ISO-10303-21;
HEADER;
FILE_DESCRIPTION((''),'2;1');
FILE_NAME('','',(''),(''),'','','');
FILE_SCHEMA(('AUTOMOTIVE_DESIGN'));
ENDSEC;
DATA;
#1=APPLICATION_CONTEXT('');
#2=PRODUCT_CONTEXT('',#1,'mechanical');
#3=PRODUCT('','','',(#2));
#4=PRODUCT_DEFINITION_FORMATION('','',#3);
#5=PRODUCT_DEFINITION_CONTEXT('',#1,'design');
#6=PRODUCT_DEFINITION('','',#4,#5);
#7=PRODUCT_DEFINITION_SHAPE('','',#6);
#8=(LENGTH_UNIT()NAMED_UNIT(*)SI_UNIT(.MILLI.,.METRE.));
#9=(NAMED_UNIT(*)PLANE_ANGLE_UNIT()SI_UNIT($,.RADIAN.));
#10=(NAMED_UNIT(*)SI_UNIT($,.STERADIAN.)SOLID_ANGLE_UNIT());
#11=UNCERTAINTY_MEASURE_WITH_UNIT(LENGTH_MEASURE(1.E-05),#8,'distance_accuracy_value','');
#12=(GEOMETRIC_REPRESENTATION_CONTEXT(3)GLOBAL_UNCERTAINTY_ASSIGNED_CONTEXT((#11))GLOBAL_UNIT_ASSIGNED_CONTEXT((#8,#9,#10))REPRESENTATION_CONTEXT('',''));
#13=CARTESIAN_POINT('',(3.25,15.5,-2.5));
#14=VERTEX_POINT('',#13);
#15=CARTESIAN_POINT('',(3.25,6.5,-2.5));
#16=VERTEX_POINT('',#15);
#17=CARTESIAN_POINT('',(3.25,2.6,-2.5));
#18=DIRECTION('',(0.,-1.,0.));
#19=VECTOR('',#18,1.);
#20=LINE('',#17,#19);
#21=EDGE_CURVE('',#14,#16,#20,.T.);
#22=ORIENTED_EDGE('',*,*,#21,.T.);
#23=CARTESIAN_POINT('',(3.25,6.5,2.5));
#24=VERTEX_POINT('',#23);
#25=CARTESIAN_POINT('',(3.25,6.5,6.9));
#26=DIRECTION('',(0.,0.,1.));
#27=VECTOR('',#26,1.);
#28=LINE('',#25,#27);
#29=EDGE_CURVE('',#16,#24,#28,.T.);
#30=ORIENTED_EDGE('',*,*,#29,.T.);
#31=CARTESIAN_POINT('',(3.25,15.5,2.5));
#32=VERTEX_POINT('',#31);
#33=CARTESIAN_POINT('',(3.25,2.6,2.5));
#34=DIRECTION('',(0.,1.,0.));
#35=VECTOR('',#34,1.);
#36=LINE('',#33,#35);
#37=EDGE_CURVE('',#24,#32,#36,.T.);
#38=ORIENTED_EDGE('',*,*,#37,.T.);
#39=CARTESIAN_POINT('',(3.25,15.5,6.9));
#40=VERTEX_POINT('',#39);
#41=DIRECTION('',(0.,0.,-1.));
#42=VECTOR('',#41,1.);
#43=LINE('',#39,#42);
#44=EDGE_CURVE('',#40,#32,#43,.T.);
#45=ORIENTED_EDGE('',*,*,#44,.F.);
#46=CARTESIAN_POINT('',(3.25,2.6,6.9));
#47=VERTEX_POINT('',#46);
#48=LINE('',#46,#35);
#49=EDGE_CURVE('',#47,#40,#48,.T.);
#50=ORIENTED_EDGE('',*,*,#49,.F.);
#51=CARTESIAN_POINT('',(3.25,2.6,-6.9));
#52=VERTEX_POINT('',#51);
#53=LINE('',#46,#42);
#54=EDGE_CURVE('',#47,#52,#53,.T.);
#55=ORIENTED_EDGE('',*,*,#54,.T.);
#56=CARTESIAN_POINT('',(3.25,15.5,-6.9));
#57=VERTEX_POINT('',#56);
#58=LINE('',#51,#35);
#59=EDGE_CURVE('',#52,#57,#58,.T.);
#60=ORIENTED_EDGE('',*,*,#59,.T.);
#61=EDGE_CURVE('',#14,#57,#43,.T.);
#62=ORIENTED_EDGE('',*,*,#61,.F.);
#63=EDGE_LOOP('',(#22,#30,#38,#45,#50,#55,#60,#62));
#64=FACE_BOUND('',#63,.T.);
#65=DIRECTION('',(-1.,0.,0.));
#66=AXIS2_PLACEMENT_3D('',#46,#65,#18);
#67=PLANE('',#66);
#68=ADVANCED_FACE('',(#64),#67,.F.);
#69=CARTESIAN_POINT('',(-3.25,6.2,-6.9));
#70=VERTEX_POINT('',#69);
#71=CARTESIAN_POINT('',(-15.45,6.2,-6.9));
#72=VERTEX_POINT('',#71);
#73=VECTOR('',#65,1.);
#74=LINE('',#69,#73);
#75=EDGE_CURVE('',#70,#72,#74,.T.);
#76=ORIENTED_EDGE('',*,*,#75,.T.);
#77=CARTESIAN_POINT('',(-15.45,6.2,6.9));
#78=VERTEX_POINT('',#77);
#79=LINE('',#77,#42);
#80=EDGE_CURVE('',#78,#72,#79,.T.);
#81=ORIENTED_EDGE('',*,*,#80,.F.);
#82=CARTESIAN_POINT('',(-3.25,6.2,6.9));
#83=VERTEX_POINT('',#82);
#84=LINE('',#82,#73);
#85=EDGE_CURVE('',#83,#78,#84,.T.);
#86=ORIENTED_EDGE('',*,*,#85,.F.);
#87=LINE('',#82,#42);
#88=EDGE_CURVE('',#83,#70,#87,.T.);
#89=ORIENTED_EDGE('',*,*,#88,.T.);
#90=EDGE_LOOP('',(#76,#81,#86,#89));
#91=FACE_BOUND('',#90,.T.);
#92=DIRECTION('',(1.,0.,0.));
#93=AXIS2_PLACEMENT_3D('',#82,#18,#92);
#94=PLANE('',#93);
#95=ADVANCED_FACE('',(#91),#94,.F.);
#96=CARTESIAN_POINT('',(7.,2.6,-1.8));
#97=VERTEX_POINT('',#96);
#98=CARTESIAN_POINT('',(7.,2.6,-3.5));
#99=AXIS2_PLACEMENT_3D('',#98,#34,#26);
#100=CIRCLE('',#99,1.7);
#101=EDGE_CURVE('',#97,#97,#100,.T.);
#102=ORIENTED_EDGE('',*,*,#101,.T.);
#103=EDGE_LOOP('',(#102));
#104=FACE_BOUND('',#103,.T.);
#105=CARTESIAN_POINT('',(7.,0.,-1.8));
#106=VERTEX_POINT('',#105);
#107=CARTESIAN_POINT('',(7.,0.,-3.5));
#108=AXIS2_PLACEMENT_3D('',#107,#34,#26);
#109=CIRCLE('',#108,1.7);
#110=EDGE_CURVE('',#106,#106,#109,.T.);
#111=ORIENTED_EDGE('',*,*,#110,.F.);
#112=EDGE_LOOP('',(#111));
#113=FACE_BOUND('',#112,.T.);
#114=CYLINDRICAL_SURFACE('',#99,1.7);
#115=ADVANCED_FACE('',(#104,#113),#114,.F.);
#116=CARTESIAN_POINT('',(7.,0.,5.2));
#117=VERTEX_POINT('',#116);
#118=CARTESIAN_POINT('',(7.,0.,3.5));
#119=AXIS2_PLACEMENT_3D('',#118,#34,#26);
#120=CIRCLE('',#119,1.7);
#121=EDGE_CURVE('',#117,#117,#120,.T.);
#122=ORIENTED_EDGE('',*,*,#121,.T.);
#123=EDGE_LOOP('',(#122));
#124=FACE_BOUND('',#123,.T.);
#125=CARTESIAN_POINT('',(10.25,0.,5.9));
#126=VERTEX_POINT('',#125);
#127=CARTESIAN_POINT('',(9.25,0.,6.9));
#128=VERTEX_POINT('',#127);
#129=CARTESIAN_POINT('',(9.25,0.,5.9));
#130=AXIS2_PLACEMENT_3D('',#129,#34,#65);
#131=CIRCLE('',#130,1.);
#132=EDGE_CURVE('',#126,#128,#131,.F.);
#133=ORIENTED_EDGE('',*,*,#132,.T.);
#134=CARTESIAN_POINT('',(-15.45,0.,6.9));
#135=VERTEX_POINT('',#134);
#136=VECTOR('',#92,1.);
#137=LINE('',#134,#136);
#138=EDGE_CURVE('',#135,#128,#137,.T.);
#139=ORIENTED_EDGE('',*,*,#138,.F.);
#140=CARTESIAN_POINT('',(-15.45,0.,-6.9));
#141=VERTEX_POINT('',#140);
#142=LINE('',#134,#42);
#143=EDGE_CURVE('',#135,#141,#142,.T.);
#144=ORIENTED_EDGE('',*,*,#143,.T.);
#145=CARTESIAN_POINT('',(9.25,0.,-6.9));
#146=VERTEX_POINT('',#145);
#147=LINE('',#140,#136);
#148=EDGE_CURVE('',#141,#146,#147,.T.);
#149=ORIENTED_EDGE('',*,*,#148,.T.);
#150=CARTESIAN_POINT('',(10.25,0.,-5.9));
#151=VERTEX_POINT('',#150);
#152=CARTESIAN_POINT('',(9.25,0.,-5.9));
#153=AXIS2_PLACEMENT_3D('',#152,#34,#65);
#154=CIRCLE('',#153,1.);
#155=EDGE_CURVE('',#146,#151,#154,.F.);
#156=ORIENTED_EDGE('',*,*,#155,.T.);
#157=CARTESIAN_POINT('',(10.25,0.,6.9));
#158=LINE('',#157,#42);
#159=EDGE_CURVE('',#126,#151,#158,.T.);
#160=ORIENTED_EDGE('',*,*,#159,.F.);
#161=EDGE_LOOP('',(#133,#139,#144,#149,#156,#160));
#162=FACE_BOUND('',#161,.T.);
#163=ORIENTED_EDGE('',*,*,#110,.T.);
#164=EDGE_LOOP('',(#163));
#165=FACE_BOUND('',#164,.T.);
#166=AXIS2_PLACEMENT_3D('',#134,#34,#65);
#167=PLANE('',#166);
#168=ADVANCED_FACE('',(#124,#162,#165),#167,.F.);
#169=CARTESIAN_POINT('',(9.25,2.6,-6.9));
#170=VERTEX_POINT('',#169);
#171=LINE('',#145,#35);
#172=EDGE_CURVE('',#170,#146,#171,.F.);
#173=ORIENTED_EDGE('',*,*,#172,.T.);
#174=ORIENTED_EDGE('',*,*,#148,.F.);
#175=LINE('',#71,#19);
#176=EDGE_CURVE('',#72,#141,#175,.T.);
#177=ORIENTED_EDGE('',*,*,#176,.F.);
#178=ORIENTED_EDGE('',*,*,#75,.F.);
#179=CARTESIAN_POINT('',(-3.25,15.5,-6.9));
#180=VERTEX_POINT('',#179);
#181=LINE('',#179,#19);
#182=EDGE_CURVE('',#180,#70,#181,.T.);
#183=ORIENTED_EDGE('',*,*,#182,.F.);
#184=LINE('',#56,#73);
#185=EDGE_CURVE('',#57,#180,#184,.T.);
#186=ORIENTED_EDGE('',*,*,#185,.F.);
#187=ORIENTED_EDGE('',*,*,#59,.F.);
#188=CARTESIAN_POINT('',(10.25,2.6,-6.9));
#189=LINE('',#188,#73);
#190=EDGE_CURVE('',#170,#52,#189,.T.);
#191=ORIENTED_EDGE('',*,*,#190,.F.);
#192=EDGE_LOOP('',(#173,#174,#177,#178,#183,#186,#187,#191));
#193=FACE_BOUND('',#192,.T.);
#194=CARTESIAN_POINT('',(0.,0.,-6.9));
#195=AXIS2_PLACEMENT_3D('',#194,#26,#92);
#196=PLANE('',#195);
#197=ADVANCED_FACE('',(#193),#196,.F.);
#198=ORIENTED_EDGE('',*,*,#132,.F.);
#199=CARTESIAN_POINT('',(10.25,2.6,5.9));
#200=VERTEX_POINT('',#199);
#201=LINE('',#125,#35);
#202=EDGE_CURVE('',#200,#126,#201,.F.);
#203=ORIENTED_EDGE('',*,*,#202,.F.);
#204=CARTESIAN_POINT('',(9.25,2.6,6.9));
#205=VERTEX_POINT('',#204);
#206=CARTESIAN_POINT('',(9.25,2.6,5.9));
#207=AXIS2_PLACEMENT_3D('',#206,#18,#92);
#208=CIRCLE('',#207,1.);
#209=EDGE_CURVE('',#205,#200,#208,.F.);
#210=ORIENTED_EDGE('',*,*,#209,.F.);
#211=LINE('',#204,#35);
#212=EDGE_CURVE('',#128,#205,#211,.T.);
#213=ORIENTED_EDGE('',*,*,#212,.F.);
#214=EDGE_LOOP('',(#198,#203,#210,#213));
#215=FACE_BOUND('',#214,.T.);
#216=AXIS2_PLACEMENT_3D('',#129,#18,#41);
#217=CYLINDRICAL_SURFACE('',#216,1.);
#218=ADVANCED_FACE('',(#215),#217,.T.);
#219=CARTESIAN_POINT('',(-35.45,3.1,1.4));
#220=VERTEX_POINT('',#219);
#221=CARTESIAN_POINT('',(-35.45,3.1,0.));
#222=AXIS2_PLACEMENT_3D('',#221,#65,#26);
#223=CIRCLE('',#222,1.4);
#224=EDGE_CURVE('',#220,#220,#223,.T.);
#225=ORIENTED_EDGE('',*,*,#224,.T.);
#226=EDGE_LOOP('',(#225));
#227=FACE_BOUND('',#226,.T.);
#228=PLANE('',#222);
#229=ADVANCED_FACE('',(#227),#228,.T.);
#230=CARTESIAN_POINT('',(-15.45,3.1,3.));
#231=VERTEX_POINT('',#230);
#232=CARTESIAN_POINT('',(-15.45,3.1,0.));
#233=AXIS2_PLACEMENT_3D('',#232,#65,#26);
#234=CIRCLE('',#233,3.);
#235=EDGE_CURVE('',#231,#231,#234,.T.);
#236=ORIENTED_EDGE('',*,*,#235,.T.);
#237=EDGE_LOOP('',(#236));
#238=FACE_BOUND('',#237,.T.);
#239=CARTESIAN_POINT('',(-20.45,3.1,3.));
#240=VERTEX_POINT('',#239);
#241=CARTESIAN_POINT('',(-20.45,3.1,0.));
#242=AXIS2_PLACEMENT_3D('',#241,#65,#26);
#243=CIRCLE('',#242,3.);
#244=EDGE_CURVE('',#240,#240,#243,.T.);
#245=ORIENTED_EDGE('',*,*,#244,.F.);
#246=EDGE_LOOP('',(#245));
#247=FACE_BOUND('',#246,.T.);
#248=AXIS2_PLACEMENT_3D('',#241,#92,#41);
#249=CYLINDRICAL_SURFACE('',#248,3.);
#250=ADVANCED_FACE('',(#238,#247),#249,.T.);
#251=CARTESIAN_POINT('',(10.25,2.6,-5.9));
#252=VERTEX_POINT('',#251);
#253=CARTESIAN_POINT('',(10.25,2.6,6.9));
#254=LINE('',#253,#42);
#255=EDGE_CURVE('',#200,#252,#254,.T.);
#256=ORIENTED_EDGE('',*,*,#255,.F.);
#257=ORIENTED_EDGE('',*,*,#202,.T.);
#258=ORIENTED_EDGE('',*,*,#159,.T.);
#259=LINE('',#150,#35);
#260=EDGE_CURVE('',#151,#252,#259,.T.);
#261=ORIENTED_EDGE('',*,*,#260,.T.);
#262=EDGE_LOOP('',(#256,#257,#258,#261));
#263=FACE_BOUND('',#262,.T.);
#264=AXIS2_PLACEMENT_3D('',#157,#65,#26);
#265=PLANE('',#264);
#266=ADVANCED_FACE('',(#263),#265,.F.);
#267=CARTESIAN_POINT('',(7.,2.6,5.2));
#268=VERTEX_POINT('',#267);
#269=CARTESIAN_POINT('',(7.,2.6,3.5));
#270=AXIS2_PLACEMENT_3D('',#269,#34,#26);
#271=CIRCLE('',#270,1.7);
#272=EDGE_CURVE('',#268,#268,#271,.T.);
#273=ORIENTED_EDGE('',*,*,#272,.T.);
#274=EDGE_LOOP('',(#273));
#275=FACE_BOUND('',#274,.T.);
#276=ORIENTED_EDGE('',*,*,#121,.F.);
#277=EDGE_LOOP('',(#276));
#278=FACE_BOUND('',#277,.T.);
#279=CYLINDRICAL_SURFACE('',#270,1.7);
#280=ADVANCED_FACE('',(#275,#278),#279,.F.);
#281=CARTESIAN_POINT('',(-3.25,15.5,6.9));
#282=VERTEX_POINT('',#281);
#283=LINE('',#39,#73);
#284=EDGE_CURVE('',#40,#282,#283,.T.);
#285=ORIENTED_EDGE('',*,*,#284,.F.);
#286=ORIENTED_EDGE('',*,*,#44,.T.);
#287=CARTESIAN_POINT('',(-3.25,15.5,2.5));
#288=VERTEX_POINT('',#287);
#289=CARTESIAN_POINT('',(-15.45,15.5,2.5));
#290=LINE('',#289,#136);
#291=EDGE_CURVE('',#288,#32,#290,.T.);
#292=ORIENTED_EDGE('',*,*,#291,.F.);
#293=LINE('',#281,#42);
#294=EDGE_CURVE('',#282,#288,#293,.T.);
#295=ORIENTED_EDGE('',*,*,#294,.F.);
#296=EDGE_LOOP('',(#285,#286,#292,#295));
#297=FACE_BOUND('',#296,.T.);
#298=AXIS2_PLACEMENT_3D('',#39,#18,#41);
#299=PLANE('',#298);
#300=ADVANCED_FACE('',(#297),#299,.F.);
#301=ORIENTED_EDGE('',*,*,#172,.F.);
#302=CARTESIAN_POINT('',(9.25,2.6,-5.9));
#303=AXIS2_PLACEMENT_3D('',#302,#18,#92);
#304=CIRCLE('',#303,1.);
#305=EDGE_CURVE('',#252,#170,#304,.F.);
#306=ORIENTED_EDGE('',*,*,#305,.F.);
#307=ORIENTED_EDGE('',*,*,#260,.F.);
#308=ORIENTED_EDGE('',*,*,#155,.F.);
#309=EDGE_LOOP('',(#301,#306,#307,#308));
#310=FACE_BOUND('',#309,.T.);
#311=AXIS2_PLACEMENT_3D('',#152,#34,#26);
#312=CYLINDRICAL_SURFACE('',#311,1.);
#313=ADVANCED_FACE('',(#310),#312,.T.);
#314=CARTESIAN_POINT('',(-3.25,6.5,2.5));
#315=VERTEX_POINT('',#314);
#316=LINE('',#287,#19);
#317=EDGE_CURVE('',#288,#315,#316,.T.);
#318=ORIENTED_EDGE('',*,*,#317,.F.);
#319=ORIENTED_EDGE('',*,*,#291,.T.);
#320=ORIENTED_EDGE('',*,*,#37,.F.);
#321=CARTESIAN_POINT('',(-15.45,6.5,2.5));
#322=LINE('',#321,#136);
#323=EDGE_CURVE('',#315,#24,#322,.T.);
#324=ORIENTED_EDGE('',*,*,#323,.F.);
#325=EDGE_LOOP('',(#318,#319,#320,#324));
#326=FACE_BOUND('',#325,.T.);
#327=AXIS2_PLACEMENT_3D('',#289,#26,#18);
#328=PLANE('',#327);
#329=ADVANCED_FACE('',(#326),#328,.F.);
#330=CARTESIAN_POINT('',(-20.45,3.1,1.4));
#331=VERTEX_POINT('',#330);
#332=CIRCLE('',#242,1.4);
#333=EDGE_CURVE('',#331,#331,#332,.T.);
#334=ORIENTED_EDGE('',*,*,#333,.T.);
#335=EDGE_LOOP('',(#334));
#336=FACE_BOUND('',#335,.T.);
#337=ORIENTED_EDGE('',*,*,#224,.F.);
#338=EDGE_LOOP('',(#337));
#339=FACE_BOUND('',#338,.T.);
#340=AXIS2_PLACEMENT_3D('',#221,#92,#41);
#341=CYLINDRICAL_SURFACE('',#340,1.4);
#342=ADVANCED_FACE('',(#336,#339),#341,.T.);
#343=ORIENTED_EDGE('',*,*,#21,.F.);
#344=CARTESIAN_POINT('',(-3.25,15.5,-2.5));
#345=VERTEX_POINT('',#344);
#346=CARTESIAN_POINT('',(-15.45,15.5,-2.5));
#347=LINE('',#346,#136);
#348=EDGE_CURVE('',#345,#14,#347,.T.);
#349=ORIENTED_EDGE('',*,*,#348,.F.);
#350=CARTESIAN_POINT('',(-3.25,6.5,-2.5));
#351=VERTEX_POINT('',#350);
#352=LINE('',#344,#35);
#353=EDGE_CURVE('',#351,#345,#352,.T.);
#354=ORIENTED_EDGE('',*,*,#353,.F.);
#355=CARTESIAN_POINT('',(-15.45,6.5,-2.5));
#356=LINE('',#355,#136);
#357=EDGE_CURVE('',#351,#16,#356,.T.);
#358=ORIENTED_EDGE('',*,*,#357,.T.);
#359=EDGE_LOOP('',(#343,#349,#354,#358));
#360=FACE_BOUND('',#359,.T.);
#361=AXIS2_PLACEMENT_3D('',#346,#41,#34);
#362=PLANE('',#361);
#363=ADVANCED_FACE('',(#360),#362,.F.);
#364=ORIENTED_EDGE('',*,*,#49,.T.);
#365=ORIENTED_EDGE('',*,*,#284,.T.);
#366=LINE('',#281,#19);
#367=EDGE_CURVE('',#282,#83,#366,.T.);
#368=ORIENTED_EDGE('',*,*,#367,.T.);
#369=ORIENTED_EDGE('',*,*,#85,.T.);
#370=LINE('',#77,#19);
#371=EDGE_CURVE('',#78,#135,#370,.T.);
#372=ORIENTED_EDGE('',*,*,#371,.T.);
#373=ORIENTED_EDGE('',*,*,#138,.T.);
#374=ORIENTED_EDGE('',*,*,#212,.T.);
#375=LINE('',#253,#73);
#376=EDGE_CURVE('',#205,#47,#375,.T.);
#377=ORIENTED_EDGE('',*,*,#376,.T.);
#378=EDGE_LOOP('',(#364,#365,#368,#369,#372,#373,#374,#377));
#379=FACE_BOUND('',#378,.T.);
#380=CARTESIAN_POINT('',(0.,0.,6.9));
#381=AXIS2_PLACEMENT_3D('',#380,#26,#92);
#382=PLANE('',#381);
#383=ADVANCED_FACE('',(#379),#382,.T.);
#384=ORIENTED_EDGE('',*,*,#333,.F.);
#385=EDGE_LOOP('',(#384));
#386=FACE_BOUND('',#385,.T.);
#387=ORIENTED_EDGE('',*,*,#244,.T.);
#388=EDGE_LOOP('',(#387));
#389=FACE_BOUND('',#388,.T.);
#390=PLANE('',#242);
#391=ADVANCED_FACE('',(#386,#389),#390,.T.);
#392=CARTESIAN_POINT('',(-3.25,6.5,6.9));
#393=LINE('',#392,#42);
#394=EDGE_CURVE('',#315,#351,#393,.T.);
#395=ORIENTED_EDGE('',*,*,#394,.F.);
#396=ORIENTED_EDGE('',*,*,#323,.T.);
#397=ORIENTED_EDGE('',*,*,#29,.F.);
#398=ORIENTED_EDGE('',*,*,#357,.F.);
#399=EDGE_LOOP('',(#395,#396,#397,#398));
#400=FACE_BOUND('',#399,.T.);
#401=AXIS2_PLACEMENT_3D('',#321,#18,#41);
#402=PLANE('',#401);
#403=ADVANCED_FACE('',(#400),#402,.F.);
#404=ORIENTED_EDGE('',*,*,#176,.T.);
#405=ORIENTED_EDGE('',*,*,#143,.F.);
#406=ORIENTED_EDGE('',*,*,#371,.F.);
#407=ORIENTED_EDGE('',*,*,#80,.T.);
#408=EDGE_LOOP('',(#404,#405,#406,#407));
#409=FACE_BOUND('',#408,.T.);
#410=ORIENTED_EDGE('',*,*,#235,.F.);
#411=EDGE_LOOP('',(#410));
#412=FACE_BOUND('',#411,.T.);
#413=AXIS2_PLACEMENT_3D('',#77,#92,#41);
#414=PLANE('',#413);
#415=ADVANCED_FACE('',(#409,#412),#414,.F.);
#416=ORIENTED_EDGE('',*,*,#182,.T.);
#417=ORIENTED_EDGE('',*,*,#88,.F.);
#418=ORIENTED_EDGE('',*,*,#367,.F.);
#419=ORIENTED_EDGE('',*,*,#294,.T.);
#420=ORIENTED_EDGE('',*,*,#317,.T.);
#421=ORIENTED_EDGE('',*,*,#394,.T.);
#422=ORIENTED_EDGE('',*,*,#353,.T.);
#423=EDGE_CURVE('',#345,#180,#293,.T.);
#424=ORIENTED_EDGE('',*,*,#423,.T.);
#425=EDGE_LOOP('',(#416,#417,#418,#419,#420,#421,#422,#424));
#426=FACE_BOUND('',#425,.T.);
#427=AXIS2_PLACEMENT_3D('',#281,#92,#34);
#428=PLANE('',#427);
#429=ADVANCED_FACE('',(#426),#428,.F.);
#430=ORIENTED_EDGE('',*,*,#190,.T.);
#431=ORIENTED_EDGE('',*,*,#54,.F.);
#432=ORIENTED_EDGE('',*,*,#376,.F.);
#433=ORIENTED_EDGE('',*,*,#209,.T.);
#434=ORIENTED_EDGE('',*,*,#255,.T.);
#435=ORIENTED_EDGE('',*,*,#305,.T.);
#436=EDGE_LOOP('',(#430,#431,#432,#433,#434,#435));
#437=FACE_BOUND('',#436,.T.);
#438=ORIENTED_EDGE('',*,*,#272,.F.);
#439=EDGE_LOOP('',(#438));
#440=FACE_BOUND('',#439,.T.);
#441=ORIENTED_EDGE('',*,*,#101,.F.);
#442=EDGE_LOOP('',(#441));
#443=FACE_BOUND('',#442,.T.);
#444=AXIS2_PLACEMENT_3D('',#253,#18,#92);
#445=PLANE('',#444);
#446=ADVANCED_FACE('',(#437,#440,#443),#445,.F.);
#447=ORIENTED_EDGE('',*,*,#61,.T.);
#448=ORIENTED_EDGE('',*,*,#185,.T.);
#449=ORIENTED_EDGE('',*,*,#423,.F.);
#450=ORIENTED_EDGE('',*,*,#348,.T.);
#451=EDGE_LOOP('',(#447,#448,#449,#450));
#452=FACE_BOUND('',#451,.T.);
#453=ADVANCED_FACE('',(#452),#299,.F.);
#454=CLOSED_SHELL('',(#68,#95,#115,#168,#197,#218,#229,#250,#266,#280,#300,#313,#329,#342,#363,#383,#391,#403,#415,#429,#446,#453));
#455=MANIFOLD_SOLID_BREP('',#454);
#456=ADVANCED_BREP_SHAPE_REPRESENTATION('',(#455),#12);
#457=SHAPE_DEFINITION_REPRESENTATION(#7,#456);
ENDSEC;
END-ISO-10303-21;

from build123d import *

# Parameters (mm, degrees)
BOSS_EXTRU_1_DEPTH           = 6.9
ENL_V_MAT_EXTRU_1_DEPTH      = 23.946949688
ENL_V_MAT_EXTRU_1_DEPTH_BACK = 23.946949688
ESQUISSE2_W                  = 5
ESQUISSE2_H                  = 9
D_GAGEMENT_M31_D             = 3.4
ESQUISSE5_R                  = 3
BOSS_EXTRU_2_DEPTH           = 5
ESQUISSE6_R                  = 1.4
BOSS_EXTRU_3_DEPTH           = 15
CONG_1_R                     = 1


with BuildPart() as part:
    # Esquisse1 → Boss.-Extru.1 (new, symmetric)
    with BuildSketch(Plane.XY):
        Polygon((-15.45, 0), (10.25, 0), (10.25, 2.6), (3.25, 2.6), (3.25, 15.5), (-3.25, 15.5), (-3.25, 6.2), (-15.45, 6.2), align=None)
    extrude(amount=BOSS_EXTRU_1_DEPTH, both=True)

    # Esquisse2 → Enlèv. mat.-Extru.1 (cut, two sides: drawn at the far end of the back side and taken through both)
    with BuildSketch(Plane(origin=(0, 0, 0), x_dir=(0, 0, -1), z_dir=(1, 0, 0)).offset(-ENL_V_MAT_EXTRU_1_DEPTH_BACK)):
        with Locations((0, 11)):
            Rectangle(ESQUISSE2_W, ESQUISSE2_H)
    extrude(amount=ENL_V_MAT_EXTRU_1_DEPTH + ENL_V_MAT_EXTRU_1_DEPTH_BACK, mode=Mode.SUBTRACT)

    # Dégagement M31 (through all)
    with Locations(Plane(origin=(0, 2.6, 0), x_dir=(1, 0, 0), z_dir=(0, 1, 0))):
        with Locations((7, 3.5), (7, -3.5)):
            Hole(D_GAGEMENT_M31_D / 2)

    # Esquisse5 → Boss.-Extru.2 (add)
    with BuildSketch(Plane.ZY.offset(15.45)):
        with Locations((0, 3.1)):
            Circle(ESQUISSE5_R)
    extrude(amount=BOSS_EXTRU_2_DEPTH)

    # Esquisse6 → Boss.-Extru.3 (add)
    with BuildSketch(Plane.ZY.offset(20.45)):
        with Locations((0, 3.1)):
            Circle(ESQUISSE6_R)
    extrude(amount=BOSS_EXTRU_3_DEPTH)

    # Congé1
    cong_1_edges = [part.edges().sort_by_distance(p)[0] for p in [
        (10.25, 1.3, -6.9),
        (10.25, 1.3, 6.9),
    ]]
    fillet(cong_1_edges, radius=CONG_1_R)


solid = part.part
